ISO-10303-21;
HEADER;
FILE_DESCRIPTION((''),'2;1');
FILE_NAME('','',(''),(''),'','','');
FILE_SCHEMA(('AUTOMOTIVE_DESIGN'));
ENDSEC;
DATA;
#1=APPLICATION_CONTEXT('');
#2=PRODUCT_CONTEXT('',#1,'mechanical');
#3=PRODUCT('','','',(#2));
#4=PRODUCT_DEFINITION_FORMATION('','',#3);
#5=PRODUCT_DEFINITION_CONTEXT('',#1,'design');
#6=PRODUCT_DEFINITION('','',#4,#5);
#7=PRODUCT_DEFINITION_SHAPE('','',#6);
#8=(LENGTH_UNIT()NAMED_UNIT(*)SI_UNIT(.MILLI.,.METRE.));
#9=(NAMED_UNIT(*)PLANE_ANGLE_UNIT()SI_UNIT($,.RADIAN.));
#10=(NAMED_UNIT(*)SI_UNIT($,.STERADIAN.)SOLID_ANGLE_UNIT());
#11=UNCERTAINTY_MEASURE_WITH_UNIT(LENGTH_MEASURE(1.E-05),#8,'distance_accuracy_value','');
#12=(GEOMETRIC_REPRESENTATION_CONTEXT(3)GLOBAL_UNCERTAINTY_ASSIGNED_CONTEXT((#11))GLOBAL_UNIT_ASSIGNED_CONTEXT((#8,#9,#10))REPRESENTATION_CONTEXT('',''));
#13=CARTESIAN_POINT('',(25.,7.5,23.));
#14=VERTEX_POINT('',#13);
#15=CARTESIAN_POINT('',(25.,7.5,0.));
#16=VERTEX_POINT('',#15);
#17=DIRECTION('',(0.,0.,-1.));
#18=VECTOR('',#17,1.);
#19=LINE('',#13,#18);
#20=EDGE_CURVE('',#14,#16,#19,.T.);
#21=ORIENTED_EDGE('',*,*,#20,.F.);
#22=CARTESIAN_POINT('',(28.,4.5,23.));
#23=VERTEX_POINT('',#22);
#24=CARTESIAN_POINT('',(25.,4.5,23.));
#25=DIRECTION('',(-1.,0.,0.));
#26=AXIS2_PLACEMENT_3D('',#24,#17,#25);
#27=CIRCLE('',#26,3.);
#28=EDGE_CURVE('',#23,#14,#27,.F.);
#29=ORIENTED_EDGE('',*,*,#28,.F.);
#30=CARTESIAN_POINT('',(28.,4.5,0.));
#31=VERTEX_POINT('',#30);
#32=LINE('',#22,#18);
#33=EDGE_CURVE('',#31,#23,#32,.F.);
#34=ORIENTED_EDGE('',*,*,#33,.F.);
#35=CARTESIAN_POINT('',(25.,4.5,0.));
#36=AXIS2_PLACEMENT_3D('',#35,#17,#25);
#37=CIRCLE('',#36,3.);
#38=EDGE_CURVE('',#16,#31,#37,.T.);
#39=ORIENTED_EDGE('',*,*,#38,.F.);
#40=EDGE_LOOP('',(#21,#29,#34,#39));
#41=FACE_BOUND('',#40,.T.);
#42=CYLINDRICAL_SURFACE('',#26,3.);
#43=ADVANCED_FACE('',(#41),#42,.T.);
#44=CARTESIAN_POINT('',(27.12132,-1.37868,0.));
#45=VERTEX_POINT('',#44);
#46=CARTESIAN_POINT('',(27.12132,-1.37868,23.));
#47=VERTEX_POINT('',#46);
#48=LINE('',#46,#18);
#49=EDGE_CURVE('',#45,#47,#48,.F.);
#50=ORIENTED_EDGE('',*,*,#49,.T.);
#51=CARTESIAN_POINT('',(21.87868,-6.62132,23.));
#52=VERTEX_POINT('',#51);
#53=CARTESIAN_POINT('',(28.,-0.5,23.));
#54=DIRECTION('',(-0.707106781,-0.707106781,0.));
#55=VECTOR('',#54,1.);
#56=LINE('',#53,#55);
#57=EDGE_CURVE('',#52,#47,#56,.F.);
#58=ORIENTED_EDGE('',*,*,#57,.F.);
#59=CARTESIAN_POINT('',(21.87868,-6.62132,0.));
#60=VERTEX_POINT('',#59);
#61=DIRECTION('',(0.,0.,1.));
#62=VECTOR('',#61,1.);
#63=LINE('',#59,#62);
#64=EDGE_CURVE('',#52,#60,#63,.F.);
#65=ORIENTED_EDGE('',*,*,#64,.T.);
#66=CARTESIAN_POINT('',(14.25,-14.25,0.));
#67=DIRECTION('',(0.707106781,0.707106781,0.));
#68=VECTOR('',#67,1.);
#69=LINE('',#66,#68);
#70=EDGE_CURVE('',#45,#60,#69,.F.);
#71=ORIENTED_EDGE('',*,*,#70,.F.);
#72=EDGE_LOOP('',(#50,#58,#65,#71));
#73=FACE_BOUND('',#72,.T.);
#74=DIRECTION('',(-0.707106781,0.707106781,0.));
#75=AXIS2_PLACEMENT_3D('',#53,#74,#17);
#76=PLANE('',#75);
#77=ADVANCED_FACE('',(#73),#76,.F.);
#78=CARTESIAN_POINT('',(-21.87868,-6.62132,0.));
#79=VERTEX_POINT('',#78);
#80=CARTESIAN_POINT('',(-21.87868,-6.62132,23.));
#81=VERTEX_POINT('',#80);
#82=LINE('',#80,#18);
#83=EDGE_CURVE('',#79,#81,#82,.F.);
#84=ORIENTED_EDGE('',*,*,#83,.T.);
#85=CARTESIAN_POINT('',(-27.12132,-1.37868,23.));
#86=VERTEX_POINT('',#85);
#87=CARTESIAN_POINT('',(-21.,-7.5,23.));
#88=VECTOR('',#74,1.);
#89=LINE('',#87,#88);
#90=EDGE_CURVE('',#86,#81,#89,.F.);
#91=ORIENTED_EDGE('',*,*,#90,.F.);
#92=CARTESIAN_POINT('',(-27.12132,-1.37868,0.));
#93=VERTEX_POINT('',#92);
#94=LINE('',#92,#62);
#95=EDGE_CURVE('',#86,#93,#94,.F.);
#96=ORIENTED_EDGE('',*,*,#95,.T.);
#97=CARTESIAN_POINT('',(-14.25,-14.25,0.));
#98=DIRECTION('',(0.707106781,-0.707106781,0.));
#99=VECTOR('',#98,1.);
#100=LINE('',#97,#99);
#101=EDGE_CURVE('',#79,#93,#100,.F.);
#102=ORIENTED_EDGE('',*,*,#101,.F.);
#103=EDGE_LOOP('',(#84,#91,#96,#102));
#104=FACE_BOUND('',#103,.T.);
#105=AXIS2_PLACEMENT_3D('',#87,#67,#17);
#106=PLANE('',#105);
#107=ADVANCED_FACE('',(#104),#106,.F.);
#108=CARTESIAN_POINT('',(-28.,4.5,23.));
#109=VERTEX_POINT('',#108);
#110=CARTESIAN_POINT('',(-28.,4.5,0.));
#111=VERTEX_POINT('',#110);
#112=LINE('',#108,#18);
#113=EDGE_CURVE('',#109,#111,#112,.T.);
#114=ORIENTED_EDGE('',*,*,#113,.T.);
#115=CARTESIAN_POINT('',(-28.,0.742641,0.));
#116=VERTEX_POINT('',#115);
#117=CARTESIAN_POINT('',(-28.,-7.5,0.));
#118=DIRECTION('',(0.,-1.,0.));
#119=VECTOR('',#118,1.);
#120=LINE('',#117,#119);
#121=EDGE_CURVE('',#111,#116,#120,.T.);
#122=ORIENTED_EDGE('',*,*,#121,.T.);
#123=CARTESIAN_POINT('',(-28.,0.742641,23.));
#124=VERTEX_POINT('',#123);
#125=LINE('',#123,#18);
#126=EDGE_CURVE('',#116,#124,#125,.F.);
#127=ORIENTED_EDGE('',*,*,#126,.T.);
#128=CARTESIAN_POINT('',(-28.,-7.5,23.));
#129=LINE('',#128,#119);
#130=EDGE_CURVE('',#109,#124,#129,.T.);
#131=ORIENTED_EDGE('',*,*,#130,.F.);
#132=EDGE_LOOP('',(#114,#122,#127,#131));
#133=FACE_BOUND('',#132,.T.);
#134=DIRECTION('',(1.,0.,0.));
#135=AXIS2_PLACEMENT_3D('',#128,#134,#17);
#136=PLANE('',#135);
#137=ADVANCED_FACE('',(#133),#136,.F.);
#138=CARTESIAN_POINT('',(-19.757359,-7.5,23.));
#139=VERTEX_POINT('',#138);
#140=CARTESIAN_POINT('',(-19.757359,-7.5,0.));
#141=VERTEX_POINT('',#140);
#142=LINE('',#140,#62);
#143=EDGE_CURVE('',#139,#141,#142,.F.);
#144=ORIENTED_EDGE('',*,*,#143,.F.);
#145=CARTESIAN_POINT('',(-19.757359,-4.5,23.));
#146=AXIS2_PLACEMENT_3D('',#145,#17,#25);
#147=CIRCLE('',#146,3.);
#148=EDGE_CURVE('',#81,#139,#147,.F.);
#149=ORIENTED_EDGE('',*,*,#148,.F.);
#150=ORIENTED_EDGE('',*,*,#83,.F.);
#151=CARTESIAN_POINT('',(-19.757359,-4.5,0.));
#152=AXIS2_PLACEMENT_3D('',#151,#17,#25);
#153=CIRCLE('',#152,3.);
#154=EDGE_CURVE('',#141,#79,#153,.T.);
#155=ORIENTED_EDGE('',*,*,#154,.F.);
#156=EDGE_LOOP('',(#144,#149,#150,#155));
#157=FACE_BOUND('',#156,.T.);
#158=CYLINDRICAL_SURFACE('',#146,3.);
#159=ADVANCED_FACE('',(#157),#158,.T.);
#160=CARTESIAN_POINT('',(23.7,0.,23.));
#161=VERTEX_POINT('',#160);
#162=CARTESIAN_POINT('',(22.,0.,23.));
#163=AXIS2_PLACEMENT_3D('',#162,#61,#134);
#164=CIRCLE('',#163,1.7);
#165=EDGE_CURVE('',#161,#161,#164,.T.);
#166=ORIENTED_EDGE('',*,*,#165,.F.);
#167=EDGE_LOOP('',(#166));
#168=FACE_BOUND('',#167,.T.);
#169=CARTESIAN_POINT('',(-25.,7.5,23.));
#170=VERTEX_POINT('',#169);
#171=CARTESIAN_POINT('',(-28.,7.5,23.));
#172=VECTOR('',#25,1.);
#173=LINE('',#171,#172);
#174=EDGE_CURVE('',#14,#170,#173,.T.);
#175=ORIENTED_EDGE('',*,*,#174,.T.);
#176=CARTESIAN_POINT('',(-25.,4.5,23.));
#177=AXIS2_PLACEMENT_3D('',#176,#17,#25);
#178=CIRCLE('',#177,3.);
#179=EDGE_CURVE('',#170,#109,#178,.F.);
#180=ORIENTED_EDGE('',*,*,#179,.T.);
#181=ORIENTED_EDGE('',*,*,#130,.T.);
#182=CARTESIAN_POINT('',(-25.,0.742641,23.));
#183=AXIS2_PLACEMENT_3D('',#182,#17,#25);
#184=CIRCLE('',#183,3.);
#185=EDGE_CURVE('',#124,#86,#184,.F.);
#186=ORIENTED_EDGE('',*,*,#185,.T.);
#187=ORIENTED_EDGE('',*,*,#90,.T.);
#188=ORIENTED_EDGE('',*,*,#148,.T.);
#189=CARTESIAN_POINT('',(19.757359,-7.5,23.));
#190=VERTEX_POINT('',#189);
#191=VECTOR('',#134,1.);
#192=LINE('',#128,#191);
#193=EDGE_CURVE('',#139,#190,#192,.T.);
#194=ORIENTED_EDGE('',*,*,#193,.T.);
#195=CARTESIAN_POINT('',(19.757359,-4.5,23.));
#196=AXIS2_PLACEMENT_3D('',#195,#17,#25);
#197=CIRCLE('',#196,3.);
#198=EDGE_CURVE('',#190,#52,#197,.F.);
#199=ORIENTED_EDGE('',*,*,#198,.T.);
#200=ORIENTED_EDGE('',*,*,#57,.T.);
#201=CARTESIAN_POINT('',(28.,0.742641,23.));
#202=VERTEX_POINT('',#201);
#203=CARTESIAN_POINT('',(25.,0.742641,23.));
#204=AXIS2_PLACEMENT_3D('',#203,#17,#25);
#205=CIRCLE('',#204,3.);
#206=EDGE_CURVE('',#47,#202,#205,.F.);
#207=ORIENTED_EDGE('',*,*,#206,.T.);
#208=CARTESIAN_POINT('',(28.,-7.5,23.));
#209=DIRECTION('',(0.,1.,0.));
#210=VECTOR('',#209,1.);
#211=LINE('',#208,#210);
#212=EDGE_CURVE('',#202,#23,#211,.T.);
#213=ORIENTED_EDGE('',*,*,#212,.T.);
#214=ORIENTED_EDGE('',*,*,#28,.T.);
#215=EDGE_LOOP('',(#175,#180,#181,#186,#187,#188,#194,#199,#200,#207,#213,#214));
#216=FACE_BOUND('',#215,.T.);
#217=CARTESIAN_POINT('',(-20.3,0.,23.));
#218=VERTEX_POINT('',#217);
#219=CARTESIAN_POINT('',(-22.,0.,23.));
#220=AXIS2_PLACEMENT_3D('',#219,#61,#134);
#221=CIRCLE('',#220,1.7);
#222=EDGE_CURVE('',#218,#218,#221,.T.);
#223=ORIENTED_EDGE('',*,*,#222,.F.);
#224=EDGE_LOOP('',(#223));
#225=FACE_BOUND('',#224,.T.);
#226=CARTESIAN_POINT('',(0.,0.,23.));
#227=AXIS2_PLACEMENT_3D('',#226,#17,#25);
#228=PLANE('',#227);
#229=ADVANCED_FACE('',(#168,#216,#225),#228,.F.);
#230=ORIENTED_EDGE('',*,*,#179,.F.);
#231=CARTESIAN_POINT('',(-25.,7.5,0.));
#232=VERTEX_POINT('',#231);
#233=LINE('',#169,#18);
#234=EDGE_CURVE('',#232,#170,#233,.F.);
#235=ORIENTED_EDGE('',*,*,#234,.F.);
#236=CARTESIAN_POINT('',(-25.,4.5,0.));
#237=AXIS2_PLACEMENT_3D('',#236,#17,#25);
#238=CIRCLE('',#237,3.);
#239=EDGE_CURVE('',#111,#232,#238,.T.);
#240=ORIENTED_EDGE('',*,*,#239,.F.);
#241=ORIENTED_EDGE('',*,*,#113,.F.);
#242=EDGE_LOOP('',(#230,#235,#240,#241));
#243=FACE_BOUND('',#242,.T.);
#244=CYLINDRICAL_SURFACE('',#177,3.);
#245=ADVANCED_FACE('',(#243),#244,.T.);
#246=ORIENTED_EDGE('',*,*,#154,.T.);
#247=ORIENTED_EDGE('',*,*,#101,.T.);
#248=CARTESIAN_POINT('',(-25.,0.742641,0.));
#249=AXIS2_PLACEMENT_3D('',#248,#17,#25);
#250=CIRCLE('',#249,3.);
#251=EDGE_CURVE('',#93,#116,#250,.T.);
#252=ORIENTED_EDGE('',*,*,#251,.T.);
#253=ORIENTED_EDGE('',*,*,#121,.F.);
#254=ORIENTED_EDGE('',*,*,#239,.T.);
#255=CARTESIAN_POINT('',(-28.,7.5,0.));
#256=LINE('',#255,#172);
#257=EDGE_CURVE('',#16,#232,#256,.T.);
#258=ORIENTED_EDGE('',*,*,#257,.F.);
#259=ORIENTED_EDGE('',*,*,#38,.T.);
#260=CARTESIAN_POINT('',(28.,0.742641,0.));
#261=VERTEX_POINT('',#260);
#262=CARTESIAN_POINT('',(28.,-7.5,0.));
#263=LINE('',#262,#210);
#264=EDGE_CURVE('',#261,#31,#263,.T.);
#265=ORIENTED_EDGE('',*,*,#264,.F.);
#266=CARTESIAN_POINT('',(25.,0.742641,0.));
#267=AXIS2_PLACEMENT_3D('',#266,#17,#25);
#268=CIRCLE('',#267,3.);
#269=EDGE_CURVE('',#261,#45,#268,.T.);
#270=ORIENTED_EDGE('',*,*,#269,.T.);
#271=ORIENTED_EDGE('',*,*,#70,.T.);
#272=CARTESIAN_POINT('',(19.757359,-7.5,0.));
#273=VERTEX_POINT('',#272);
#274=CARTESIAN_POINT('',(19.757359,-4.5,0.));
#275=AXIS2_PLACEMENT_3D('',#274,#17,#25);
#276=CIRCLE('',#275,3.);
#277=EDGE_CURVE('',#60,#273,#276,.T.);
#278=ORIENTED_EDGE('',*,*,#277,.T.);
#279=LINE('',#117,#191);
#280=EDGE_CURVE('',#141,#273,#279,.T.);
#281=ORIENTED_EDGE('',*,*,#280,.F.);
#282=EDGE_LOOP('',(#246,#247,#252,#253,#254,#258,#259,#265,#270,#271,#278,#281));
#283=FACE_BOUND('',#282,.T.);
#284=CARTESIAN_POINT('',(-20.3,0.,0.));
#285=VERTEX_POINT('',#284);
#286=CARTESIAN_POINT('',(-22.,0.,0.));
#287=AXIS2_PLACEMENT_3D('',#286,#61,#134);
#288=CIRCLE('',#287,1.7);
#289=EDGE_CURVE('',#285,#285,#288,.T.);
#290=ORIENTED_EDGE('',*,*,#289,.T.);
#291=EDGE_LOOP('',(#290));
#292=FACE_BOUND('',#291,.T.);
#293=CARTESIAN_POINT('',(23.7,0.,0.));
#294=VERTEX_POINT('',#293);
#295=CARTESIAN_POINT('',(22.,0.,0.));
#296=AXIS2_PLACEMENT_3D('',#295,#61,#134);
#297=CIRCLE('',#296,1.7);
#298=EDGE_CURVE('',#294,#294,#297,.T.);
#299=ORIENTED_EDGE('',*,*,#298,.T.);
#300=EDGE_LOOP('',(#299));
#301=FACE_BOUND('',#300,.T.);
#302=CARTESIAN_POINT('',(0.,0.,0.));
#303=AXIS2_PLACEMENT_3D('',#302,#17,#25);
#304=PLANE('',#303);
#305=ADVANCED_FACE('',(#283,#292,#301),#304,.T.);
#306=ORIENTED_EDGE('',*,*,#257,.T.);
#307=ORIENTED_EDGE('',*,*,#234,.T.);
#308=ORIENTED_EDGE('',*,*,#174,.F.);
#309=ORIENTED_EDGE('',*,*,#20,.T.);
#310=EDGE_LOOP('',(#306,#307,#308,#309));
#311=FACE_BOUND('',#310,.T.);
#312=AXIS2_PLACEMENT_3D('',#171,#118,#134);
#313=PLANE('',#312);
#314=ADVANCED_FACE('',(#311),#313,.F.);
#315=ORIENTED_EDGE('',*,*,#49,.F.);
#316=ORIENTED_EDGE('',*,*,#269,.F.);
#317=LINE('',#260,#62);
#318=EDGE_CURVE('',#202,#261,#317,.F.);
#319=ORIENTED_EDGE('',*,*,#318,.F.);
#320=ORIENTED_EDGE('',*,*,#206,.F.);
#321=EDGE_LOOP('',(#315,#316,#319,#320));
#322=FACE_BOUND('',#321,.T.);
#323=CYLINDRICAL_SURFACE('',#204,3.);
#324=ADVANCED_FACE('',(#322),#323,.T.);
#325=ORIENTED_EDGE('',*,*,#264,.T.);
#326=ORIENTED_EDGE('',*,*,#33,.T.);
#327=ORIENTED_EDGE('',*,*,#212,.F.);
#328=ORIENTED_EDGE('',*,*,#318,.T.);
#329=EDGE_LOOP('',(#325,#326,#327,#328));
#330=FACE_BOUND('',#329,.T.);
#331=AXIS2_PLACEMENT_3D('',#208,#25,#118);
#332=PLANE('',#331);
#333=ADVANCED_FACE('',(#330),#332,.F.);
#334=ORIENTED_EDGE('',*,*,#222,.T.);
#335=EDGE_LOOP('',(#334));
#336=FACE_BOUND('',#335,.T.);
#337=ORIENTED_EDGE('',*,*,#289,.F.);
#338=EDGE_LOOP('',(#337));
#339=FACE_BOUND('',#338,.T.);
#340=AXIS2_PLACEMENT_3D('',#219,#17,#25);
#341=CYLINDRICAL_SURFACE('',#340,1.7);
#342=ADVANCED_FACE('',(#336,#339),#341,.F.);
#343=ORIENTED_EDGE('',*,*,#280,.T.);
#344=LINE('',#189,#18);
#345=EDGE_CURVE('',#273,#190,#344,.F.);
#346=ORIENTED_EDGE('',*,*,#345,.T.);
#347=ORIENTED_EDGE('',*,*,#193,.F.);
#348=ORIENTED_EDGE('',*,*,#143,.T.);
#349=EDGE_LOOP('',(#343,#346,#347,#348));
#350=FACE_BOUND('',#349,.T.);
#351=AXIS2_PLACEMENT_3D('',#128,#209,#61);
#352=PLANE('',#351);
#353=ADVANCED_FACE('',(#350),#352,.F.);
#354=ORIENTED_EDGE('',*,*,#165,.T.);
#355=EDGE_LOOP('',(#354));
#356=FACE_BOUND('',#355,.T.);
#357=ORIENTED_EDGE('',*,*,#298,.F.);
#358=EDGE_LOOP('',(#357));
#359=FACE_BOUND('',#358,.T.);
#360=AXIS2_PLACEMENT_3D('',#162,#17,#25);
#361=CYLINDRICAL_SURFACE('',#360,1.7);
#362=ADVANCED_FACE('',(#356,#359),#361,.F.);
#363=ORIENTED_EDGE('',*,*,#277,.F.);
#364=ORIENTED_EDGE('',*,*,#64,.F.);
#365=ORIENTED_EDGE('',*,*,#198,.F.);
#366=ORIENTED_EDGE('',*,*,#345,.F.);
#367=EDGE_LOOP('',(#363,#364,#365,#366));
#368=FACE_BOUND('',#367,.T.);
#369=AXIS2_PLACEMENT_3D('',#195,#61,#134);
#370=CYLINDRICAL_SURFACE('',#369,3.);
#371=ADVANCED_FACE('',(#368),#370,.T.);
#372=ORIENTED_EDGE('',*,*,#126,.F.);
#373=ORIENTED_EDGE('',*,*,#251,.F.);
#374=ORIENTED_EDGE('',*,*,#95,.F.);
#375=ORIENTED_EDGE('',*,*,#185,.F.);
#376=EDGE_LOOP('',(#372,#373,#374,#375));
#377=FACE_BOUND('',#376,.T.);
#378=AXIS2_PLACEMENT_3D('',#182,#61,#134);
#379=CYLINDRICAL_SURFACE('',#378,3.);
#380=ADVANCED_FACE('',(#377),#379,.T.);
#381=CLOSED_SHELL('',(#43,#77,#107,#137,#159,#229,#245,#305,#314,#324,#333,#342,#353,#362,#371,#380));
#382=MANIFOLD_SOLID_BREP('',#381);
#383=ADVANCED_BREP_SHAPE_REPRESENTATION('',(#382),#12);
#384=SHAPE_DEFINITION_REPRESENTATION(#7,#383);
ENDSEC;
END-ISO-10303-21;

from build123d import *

# Parameters (mm, degrees)
SKETCH_1_W      = 56
SKETCH_1_H      = 15
SKETCH_1_R      = 1.7
EXTRUDE_1_DEPTH = 23
CHAMFER_2_SIZE  = 7
FILLET_1_R      = 3


with BuildPart() as part:
    # 草图1 → 凸台-拉伸1 (new body)
    with BuildSketch(Plane.XY):
        Rectangle(SKETCH_1_W, SKETCH_1_H)
        with Locations((22, 0)):
            Circle(SKETCH_1_R, mode=Mode.SUBTRACT)
        with Locations((-22, 0)):
            Circle(SKETCH_1_R, mode=Mode.SUBTRACT)
    extrude(amount=EXTRUDE_1_DEPTH)

    # 倒角2
    chamfer_2_edges = [part.edges().sort_by_distance(p)[0] for p in [
        (28, -7.5, 11.5),
        (-28, -7.5, 11.5),
    ]]
    chamfer(chamfer_2_edges, length=CHAMFER_2_SIZE)

    # 圆角1
    fillet_1_edges = [part.edges().sort_by_distance(p)[0] for p in [
        (28, -0.5, 11.5),
        (-21, -7.5, 11.5),
        (21, -7.5, 11.5),
        (-28, -0.5, 11.5),
        (-28, 7.5, 11.5),
        (28, 7.5, 11.5),
    ]]
    fillet(fillet_1_edges, radius=FILLET_1_R)


solid = part.part
